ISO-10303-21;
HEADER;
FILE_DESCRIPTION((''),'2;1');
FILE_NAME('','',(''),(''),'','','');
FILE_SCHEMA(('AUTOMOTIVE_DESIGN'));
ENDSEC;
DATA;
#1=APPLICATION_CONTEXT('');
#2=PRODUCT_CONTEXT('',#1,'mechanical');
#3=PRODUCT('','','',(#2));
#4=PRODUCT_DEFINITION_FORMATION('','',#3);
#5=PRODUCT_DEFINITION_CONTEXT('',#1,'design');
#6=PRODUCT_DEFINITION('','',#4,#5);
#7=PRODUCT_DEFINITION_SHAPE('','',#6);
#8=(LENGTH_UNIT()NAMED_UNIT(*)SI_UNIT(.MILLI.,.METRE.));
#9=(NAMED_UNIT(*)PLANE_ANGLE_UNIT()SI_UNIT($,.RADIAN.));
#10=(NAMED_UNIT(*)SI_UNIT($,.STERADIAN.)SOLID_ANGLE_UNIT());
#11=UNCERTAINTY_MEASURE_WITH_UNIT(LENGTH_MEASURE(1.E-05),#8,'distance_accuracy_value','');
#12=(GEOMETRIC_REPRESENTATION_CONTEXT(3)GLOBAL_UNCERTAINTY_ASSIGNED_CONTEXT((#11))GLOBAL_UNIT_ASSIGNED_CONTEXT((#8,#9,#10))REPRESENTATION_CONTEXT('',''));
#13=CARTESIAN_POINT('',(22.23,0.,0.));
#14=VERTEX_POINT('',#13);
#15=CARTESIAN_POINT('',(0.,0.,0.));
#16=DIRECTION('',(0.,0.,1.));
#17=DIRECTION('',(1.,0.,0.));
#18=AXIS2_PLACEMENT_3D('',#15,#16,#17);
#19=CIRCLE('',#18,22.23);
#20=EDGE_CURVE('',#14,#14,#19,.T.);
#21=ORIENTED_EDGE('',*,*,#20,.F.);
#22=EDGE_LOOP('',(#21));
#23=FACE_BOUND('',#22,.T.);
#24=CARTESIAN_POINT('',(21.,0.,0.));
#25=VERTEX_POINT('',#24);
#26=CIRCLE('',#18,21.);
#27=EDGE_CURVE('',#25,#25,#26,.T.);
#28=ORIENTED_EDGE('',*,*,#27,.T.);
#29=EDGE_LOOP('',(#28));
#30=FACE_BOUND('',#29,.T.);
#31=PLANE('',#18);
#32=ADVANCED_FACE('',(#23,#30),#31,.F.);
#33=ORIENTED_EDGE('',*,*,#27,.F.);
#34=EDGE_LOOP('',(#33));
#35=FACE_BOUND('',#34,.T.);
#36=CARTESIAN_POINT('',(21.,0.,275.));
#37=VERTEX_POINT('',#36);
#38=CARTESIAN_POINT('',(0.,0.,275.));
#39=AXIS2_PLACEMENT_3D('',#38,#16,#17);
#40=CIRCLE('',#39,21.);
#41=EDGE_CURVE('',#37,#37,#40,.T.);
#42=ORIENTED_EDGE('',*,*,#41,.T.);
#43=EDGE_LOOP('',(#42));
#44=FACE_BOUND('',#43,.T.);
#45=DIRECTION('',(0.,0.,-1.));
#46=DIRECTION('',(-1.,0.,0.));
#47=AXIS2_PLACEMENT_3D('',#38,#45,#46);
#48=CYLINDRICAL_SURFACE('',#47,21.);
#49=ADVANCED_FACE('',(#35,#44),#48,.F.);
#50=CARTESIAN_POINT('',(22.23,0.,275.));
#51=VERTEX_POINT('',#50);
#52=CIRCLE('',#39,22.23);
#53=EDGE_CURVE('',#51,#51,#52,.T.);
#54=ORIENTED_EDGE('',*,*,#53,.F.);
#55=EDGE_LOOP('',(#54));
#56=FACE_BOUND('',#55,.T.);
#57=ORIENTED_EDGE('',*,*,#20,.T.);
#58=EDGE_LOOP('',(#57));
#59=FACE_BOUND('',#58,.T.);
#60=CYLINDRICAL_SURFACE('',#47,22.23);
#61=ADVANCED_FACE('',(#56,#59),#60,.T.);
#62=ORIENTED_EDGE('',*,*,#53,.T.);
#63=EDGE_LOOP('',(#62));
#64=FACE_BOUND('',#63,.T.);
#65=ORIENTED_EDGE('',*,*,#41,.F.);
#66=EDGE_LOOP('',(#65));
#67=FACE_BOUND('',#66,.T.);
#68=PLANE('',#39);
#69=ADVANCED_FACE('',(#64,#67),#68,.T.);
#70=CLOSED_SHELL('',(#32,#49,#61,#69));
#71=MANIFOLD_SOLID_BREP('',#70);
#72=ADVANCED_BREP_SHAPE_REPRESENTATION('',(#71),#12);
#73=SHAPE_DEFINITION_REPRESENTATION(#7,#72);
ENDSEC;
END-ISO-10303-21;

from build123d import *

# Parameters (mm, degrees)
ESBO_O1_R                = 22.23
ESBO_O1_R_2              = 21
RESSALTO_EXTRUS_O1_DEPTH = 275


with BuildPart() as part:
    # Esboço1 → Ressalto-extrusão1 (new body)
    with BuildSketch(Plane.XY):
        Circle(ESBO_O1_R)
        Circle(ESBO_O1_R_2, mode=Mode.SUBTRACT)
    extrude(amount=RESSALTO_EXTRUS_O1_DEPTH)


solid = part.part
